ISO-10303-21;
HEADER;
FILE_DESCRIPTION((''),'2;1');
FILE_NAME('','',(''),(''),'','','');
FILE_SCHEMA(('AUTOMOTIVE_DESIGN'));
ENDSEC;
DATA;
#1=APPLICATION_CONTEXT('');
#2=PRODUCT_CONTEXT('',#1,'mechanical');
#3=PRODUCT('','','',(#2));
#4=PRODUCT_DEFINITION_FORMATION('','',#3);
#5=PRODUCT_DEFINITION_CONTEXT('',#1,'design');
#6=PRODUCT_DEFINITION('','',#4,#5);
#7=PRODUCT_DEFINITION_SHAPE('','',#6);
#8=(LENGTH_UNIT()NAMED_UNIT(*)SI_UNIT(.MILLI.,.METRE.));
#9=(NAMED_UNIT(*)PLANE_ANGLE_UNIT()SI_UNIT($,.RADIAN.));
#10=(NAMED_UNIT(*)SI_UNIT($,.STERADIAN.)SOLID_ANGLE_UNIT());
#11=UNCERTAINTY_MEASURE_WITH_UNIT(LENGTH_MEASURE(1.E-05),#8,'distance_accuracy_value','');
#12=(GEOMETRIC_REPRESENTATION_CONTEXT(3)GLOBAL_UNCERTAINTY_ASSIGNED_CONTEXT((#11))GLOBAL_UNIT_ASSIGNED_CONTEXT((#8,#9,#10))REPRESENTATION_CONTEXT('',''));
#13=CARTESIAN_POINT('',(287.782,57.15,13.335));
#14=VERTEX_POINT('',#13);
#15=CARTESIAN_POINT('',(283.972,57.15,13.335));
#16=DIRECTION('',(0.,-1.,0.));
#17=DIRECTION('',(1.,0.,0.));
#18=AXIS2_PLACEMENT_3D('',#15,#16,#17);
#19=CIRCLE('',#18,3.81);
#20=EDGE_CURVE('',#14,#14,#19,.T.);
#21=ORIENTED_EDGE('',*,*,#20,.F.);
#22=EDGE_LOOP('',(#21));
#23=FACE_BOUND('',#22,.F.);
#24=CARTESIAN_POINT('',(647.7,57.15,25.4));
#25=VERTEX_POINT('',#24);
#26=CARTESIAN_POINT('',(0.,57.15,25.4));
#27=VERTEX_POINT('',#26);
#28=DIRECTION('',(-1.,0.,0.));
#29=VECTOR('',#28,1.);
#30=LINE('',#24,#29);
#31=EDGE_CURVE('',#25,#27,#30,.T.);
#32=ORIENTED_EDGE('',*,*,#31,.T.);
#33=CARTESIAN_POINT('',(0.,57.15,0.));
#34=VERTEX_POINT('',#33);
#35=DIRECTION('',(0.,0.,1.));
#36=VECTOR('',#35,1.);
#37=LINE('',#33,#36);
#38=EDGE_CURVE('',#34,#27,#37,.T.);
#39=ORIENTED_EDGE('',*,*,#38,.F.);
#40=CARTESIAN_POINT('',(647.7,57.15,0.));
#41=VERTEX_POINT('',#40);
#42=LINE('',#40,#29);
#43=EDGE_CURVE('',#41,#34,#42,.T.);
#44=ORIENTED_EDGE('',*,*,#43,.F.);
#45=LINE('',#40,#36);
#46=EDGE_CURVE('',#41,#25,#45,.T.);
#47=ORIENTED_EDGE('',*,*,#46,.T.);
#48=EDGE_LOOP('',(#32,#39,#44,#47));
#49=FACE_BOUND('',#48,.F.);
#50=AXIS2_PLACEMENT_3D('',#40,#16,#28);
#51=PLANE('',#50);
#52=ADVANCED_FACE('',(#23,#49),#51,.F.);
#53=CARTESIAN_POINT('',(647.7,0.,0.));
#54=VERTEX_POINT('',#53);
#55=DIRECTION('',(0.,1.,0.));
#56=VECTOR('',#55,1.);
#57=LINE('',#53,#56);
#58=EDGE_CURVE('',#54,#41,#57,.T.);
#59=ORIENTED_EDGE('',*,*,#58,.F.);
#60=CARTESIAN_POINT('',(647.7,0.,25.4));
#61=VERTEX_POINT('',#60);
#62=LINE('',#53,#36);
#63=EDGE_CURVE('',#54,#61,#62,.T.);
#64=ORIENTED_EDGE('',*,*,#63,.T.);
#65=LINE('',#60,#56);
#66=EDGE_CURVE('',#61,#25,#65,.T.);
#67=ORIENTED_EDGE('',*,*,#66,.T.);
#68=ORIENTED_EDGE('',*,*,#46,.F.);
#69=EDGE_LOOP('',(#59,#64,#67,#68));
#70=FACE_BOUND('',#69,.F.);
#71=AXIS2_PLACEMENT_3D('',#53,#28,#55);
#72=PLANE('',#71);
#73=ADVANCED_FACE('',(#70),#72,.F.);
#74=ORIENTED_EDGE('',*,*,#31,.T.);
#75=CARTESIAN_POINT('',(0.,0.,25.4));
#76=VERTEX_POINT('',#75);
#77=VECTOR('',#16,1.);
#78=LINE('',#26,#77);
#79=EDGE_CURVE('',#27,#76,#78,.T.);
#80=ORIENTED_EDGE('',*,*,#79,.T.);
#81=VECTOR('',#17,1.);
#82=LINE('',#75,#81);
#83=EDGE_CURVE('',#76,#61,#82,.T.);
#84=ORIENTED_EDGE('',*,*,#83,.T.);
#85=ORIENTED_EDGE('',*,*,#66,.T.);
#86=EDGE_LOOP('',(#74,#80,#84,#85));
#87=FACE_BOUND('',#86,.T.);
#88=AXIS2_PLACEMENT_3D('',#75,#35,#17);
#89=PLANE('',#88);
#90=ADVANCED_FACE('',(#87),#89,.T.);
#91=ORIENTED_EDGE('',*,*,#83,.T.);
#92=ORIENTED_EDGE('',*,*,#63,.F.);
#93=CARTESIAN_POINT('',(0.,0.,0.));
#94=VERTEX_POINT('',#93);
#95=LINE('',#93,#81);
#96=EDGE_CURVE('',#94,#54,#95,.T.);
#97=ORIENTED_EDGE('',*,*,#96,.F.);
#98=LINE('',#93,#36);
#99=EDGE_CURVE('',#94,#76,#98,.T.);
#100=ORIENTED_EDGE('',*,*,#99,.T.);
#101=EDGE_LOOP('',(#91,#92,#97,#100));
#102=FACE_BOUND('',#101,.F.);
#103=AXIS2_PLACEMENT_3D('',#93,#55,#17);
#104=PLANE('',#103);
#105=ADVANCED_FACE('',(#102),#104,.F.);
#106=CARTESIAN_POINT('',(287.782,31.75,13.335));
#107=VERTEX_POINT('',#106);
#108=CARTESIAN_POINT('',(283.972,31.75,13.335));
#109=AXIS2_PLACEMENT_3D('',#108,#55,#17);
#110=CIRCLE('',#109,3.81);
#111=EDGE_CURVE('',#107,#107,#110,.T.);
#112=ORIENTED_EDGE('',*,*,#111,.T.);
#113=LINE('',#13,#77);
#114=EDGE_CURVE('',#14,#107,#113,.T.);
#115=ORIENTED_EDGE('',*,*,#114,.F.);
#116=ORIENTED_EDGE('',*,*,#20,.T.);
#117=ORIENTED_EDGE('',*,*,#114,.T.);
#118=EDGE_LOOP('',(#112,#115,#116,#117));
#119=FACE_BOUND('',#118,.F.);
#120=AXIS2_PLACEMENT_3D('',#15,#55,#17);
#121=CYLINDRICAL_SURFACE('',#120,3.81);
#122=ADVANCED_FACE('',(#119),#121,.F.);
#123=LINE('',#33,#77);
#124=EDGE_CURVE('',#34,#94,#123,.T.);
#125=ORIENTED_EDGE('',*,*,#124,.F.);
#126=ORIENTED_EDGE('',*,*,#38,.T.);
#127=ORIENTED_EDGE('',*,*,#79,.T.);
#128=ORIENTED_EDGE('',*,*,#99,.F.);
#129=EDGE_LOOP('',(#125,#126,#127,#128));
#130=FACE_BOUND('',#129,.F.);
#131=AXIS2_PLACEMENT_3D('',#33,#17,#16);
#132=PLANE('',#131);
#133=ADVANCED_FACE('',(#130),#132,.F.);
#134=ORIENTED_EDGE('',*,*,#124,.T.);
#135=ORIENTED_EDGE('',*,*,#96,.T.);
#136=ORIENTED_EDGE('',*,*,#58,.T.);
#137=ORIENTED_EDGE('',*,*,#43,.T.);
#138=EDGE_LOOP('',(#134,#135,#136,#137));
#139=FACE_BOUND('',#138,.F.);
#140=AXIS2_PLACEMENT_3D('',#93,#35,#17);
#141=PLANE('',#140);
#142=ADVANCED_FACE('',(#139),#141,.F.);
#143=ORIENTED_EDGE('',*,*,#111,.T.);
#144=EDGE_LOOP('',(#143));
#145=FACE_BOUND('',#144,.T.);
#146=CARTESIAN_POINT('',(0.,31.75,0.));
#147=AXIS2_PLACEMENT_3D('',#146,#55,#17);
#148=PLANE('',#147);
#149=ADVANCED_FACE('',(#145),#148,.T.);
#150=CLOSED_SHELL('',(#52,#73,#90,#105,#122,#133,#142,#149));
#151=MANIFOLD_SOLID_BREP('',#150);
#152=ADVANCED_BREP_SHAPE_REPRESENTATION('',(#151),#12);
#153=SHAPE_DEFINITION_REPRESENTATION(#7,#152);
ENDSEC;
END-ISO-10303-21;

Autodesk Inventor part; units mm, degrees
ref_plane "YZ Plane" through (0, 0, 0) normal (1, 0, 0) x (0, 1, 0)
ref_plane "XZ Plane" through (0, 0, 0) normal (0, 1, 0) x (-1, 0, 0)
ref_plane "XY Plane" through (0, 0, 0) normal (0, 0, 1) x (1, 0, 0)
sketch "Sketch1" plane through (0, 0, 0) normal (0, 0, 1) x (1, 0, 0)
  line L0 (0, 0) -> (647.7, 0)
  line L1 (647.7, 0) -> (647.7, 57.15)
  line L2 (647.7, 57.15) -> (0, 57.15)
  line L3 (0, 57.15) -> (0, 0)
  line L4 (647.7, 0) -> (647.7, 57.15)
  dimension "d0" = 647.7
  dimension "d1" = 57.15
extrude "Extrusion1" add sketch "Sketch1" along normal blind 25.4
sketch "Sketch2" plane through (0, 0, 25.4) normal (0, 0, 1) x (1, 0, 0)
  line L0 (0, 0) -> (647.7, 0) projected
  line L1 (901.7, 0) -> (901.7, 25.4)
  line L2 (901.7, 25.4) -> (880.1227, 25.4)
  circle A0 centre (880.1227, 25.4) radius 17.399
  line L3 (880.1227, 25.4) -> (836.9681, 25.4)
  circle A1 centre (836.9681, 25.4) radius 17.399
  line L4 (836.9681, 25.4) -> (793.8135, 25.4)
  line L5 (793.8135, 25.4) -> (750.6589, 25.4)
  line L6 (750.6589, 25.4) -> (707.5043, 25.4)
  circle A2 centre (793.8135, 25.4) radius 17.399
  circle A3 centre (750.6589, 25.4) radius 17.399
  circle A4 centre (707.5043, 25.4) radius 17.399
  line L7 (901.7, 0) -> (901.7, 57.15) projected
  line L8 (901.7, 0) -> (901.7, 57.15)
  line L9 (707.5043, 25.4) -> (664.3497, 25.4)
  circle A5 centre (664.3497, 25.4) radius 9.525
  point P0 (787.6658, 25.1497)
  point P1 (813.0658, 25.1497)
  point P2 (838.4658, 25.1497)
  point P3 (863.8658, 25.1497)
  dimension "d7" = 25.4
  dimension "d8" = 21.5773
  dimension "d9" = 34.798
  dimension "d10" = 43.1546
  dimension "d13" = 19.05
extrude "Extrusion2" [suppressed]
sketch "Sketch3" plane through (0, 57.15, 0) normal (0, 1, 0) x (1, 0, 0)
  line L0 (0, 0) -> (0, -25.4) projected
  line L1 (0, 0) -> (283.972, 0)
  line L2 (283.972, 0) -> (283.972, -13.335)
  line L3 (283.972, -13.335) -> (0, -13.335)
  line L4 (0, -13.335) -> (0, 0)
  circle A0 centre (283.972, -13.335) radius 3.81
  dimension "d14" = 283.972
  dimension "d15" = 13.335
  dimension "d16" = 7.62
extrude "Extrusion3" cut sketch "Sketch3" against normal blind 25.4 contours A0 L2 L3 | L3 L2 A0
equation "\"d0\" = bodyLengthUntilNut"
equation "\"d1\" = bodyHeight"
equation "\"d5\" = woodThickness"
equation "\"d7\" = motorHolesOffset"
equation "\"d8\" = motorHoleEndOffset"
equation "\"d9\" = motorHoleDiameter"
equation "\"d10\" = motorHoleSeparation"
equation "\"d13\" = wireHoleDiameter"
equation "\"bodyLengthUntilNut\" = 647.7"
equation "\"postNutAngle\" = 0"
equation "\"woodThickness\" = 25.4"
equation "\"slantLength\" = 127"
equation "\"extensionLength\" = 254"
equation "\"bodyHeight\" = 57.15"
equation "\"motorHolesOffset\" = 25.4"
equation "\"motorHoleEndOffset\" = 21.5773"
equation "\"motorHoleDiameter\" = 34.798"
equation "\"motorHoleSeparation\" = 43.1546"
equation "\"wireHoleDiameter\" = 19.05"
equation "\"temp\" = 0"
properties part number "bodySidePlate"
